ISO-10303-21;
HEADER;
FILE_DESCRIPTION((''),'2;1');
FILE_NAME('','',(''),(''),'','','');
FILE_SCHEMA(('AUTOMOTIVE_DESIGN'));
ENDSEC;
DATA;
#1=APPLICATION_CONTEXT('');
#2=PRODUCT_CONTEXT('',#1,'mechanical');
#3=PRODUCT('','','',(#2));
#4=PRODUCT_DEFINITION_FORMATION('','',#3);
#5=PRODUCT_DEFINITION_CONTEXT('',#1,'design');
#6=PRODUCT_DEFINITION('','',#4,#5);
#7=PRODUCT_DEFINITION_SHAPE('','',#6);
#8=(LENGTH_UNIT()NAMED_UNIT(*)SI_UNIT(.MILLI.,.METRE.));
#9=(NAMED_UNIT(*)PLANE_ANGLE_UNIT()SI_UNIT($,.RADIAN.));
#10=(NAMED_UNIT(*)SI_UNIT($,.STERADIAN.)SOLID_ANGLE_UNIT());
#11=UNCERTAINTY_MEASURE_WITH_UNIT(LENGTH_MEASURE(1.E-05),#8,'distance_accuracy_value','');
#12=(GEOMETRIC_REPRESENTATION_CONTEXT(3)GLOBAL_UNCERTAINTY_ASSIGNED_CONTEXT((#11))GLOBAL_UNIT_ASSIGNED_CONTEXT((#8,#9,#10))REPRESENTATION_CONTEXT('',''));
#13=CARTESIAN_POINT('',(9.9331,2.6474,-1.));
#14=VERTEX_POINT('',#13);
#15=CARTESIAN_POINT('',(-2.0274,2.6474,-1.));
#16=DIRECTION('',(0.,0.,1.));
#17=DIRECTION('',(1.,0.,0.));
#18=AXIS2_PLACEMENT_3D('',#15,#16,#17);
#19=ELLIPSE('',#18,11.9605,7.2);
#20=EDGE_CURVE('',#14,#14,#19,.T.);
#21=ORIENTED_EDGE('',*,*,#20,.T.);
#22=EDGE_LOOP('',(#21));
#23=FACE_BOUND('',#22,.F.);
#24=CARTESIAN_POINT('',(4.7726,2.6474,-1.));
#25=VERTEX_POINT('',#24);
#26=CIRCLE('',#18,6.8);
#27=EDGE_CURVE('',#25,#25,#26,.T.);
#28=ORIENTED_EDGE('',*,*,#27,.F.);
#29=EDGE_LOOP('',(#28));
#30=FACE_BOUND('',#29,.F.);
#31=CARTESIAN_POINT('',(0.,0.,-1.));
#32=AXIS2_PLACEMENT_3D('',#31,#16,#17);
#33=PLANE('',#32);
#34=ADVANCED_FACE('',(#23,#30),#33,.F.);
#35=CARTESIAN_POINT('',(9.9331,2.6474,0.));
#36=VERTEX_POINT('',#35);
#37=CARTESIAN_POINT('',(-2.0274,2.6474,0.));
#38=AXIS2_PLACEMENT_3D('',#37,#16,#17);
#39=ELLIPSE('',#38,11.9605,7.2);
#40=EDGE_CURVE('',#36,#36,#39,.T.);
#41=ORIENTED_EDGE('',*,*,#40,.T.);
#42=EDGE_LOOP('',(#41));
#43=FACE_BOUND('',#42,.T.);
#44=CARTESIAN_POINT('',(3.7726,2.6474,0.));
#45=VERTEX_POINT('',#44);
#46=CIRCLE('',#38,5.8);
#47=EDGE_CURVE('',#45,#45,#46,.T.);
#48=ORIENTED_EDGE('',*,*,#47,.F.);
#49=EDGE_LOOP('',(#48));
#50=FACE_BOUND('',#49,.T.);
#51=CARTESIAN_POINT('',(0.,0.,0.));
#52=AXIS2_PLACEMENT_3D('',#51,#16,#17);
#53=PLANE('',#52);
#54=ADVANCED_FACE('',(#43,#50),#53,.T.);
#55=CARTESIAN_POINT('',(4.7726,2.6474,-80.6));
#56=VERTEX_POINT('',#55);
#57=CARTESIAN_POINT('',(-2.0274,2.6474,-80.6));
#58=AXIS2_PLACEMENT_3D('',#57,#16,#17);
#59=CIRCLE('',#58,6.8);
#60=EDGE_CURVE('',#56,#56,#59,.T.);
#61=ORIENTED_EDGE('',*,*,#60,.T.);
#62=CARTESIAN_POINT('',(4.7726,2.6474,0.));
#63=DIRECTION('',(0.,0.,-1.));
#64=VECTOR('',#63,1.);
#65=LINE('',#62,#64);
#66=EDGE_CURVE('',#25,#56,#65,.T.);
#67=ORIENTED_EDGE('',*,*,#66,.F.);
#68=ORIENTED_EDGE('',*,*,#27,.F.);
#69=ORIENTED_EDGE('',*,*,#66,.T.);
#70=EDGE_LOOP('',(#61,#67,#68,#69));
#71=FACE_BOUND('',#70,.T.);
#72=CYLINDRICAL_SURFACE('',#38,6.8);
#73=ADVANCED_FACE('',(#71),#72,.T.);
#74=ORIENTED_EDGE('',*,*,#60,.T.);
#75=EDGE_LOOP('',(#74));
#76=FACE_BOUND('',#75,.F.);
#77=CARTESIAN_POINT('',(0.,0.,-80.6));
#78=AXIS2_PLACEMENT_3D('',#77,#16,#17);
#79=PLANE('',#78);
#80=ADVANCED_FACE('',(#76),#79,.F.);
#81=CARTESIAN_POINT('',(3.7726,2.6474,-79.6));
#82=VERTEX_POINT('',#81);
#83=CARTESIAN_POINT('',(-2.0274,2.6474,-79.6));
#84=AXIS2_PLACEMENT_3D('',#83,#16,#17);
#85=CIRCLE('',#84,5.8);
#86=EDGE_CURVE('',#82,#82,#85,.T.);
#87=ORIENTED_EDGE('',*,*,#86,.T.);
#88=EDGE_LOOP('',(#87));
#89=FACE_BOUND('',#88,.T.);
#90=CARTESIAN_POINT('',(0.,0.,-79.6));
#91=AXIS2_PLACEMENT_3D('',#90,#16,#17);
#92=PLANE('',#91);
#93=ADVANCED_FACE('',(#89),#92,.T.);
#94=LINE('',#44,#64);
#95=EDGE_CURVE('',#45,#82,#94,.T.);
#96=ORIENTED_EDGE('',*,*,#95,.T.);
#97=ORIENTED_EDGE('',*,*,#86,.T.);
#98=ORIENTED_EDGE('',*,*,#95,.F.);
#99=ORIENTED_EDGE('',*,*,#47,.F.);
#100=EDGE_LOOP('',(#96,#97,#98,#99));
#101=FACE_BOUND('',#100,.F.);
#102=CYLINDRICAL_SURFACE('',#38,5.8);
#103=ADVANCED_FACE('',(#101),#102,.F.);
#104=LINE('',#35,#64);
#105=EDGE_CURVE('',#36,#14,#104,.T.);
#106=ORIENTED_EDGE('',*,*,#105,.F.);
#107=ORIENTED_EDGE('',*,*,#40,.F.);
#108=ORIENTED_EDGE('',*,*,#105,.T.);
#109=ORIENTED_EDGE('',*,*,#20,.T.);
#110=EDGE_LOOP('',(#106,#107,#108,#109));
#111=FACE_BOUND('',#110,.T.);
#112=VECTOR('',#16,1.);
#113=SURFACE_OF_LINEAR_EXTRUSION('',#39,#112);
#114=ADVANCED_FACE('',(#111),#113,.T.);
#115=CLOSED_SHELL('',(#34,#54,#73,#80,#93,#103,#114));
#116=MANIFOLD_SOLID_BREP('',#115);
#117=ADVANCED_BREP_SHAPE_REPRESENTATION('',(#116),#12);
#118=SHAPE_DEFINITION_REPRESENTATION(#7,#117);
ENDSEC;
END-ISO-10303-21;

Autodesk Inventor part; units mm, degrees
ref_plane "YZ Plane" through (0, 0, 0) normal (1, 0, 0) x (0, 1, 0)
ref_plane "XZ Plane" through (0, 0, 0) normal (0, 1, 0) x (-1, 0, 0)
ref_plane "XY Plane" through (0, 0, 0) normal (0, 0, 1) x (1, 0, 0)
sketch "Sketch2" plane through (0, 0, 0) normal (0, 0, 1) x (1, 0, 0)
  circle A0 centre (-2.0274, 2.6474) radius 6.8
  ellipse E0 centre (-2.0274, 2.6474) end of major axis (-2.0274, -4.5526) minor radius 11.9605
  circle A1 centre (-2.0274, 2.6474) radius 5.8
  point P0 (0, 0)
  dimension "d25" = 1
extrude "Extrusion5" add sketch "Sketch2" against normal blind 80.6 contours A0 | A1
extrude "Extrusion6" add sketch "Sketch2" against normal blind 1 contours E0
extrude "Extrusion7" cut sketch "Sketch2" against normal blind 79.6 contours A1
properties part number "seringa outer" material "Glass"
